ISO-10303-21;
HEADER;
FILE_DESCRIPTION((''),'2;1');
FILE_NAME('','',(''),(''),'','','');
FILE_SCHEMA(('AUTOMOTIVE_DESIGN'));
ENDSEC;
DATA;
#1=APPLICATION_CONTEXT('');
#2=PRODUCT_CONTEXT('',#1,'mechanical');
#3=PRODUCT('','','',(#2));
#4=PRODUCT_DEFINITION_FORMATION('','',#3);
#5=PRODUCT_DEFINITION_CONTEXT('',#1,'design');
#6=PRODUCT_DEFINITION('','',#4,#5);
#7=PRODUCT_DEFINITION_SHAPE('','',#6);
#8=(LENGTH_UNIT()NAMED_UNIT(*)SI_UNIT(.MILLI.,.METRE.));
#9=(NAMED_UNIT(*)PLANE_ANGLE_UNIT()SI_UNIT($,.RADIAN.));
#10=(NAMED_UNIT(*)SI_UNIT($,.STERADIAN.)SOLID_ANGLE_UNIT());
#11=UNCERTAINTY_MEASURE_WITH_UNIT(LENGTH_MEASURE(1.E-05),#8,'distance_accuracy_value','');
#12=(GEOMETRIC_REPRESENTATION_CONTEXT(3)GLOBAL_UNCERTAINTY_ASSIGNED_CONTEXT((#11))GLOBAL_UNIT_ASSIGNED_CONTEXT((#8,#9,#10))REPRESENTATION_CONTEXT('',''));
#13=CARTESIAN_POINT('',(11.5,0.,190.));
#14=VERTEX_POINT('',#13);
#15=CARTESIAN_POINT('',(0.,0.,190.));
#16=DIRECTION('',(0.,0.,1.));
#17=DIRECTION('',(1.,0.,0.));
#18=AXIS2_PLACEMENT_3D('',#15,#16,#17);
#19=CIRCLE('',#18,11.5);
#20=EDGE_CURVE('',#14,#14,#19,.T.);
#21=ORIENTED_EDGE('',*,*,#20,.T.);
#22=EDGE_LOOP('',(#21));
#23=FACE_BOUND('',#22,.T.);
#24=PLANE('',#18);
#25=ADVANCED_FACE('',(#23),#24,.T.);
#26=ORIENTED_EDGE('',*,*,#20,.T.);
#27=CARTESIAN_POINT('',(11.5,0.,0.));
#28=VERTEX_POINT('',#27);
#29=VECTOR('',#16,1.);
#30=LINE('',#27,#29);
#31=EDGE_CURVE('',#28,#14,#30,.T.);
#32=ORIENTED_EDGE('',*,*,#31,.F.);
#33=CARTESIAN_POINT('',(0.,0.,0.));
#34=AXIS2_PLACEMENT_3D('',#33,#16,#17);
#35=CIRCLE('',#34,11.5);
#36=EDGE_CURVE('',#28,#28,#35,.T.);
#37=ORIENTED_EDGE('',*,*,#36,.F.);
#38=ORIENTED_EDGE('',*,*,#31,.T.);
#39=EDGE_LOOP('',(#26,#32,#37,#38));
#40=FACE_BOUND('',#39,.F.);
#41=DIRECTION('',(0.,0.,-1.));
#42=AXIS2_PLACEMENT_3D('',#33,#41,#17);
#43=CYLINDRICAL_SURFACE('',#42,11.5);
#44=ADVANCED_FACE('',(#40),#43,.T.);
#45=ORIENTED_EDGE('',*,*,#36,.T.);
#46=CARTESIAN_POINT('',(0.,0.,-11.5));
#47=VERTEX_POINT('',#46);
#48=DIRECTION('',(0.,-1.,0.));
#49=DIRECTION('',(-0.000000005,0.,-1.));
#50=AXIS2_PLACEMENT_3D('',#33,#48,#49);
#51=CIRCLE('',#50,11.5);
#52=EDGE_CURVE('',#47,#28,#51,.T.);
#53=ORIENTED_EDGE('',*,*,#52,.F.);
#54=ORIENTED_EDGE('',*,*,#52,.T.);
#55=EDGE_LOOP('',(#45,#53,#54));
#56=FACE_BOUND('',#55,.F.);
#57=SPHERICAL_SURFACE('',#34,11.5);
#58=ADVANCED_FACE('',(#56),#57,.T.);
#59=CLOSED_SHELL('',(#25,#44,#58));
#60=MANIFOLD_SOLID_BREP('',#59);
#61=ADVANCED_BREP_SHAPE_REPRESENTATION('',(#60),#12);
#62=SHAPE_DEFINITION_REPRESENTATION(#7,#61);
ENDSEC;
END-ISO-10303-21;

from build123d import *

# Parameters (mm, degrees)
F0_R     = 11.5
F1_DEPTH = 190


with BuildPart() as f1:
    # F0 (on Top) → F1 (new body)
    with BuildSketch(Plane.XY):
        Circle(F0_R)
    extrude(amount=F1_DEPTH)

    # F2 (on Front) → F3 (revolve)
    with BuildSketch(Plane.XZ):
        with BuildLine():
            ThreePointArc((0, -11.5), (8.131728, -8.131728), (11.5, 0))
            Line((11.5, 0), (0, 0))
            Line((0, 0), (0, -11.5))
        make_face()
    revolve(axis=Axis((0, 0, -5.75), (0, 0, -1)))


solid = f1.part
